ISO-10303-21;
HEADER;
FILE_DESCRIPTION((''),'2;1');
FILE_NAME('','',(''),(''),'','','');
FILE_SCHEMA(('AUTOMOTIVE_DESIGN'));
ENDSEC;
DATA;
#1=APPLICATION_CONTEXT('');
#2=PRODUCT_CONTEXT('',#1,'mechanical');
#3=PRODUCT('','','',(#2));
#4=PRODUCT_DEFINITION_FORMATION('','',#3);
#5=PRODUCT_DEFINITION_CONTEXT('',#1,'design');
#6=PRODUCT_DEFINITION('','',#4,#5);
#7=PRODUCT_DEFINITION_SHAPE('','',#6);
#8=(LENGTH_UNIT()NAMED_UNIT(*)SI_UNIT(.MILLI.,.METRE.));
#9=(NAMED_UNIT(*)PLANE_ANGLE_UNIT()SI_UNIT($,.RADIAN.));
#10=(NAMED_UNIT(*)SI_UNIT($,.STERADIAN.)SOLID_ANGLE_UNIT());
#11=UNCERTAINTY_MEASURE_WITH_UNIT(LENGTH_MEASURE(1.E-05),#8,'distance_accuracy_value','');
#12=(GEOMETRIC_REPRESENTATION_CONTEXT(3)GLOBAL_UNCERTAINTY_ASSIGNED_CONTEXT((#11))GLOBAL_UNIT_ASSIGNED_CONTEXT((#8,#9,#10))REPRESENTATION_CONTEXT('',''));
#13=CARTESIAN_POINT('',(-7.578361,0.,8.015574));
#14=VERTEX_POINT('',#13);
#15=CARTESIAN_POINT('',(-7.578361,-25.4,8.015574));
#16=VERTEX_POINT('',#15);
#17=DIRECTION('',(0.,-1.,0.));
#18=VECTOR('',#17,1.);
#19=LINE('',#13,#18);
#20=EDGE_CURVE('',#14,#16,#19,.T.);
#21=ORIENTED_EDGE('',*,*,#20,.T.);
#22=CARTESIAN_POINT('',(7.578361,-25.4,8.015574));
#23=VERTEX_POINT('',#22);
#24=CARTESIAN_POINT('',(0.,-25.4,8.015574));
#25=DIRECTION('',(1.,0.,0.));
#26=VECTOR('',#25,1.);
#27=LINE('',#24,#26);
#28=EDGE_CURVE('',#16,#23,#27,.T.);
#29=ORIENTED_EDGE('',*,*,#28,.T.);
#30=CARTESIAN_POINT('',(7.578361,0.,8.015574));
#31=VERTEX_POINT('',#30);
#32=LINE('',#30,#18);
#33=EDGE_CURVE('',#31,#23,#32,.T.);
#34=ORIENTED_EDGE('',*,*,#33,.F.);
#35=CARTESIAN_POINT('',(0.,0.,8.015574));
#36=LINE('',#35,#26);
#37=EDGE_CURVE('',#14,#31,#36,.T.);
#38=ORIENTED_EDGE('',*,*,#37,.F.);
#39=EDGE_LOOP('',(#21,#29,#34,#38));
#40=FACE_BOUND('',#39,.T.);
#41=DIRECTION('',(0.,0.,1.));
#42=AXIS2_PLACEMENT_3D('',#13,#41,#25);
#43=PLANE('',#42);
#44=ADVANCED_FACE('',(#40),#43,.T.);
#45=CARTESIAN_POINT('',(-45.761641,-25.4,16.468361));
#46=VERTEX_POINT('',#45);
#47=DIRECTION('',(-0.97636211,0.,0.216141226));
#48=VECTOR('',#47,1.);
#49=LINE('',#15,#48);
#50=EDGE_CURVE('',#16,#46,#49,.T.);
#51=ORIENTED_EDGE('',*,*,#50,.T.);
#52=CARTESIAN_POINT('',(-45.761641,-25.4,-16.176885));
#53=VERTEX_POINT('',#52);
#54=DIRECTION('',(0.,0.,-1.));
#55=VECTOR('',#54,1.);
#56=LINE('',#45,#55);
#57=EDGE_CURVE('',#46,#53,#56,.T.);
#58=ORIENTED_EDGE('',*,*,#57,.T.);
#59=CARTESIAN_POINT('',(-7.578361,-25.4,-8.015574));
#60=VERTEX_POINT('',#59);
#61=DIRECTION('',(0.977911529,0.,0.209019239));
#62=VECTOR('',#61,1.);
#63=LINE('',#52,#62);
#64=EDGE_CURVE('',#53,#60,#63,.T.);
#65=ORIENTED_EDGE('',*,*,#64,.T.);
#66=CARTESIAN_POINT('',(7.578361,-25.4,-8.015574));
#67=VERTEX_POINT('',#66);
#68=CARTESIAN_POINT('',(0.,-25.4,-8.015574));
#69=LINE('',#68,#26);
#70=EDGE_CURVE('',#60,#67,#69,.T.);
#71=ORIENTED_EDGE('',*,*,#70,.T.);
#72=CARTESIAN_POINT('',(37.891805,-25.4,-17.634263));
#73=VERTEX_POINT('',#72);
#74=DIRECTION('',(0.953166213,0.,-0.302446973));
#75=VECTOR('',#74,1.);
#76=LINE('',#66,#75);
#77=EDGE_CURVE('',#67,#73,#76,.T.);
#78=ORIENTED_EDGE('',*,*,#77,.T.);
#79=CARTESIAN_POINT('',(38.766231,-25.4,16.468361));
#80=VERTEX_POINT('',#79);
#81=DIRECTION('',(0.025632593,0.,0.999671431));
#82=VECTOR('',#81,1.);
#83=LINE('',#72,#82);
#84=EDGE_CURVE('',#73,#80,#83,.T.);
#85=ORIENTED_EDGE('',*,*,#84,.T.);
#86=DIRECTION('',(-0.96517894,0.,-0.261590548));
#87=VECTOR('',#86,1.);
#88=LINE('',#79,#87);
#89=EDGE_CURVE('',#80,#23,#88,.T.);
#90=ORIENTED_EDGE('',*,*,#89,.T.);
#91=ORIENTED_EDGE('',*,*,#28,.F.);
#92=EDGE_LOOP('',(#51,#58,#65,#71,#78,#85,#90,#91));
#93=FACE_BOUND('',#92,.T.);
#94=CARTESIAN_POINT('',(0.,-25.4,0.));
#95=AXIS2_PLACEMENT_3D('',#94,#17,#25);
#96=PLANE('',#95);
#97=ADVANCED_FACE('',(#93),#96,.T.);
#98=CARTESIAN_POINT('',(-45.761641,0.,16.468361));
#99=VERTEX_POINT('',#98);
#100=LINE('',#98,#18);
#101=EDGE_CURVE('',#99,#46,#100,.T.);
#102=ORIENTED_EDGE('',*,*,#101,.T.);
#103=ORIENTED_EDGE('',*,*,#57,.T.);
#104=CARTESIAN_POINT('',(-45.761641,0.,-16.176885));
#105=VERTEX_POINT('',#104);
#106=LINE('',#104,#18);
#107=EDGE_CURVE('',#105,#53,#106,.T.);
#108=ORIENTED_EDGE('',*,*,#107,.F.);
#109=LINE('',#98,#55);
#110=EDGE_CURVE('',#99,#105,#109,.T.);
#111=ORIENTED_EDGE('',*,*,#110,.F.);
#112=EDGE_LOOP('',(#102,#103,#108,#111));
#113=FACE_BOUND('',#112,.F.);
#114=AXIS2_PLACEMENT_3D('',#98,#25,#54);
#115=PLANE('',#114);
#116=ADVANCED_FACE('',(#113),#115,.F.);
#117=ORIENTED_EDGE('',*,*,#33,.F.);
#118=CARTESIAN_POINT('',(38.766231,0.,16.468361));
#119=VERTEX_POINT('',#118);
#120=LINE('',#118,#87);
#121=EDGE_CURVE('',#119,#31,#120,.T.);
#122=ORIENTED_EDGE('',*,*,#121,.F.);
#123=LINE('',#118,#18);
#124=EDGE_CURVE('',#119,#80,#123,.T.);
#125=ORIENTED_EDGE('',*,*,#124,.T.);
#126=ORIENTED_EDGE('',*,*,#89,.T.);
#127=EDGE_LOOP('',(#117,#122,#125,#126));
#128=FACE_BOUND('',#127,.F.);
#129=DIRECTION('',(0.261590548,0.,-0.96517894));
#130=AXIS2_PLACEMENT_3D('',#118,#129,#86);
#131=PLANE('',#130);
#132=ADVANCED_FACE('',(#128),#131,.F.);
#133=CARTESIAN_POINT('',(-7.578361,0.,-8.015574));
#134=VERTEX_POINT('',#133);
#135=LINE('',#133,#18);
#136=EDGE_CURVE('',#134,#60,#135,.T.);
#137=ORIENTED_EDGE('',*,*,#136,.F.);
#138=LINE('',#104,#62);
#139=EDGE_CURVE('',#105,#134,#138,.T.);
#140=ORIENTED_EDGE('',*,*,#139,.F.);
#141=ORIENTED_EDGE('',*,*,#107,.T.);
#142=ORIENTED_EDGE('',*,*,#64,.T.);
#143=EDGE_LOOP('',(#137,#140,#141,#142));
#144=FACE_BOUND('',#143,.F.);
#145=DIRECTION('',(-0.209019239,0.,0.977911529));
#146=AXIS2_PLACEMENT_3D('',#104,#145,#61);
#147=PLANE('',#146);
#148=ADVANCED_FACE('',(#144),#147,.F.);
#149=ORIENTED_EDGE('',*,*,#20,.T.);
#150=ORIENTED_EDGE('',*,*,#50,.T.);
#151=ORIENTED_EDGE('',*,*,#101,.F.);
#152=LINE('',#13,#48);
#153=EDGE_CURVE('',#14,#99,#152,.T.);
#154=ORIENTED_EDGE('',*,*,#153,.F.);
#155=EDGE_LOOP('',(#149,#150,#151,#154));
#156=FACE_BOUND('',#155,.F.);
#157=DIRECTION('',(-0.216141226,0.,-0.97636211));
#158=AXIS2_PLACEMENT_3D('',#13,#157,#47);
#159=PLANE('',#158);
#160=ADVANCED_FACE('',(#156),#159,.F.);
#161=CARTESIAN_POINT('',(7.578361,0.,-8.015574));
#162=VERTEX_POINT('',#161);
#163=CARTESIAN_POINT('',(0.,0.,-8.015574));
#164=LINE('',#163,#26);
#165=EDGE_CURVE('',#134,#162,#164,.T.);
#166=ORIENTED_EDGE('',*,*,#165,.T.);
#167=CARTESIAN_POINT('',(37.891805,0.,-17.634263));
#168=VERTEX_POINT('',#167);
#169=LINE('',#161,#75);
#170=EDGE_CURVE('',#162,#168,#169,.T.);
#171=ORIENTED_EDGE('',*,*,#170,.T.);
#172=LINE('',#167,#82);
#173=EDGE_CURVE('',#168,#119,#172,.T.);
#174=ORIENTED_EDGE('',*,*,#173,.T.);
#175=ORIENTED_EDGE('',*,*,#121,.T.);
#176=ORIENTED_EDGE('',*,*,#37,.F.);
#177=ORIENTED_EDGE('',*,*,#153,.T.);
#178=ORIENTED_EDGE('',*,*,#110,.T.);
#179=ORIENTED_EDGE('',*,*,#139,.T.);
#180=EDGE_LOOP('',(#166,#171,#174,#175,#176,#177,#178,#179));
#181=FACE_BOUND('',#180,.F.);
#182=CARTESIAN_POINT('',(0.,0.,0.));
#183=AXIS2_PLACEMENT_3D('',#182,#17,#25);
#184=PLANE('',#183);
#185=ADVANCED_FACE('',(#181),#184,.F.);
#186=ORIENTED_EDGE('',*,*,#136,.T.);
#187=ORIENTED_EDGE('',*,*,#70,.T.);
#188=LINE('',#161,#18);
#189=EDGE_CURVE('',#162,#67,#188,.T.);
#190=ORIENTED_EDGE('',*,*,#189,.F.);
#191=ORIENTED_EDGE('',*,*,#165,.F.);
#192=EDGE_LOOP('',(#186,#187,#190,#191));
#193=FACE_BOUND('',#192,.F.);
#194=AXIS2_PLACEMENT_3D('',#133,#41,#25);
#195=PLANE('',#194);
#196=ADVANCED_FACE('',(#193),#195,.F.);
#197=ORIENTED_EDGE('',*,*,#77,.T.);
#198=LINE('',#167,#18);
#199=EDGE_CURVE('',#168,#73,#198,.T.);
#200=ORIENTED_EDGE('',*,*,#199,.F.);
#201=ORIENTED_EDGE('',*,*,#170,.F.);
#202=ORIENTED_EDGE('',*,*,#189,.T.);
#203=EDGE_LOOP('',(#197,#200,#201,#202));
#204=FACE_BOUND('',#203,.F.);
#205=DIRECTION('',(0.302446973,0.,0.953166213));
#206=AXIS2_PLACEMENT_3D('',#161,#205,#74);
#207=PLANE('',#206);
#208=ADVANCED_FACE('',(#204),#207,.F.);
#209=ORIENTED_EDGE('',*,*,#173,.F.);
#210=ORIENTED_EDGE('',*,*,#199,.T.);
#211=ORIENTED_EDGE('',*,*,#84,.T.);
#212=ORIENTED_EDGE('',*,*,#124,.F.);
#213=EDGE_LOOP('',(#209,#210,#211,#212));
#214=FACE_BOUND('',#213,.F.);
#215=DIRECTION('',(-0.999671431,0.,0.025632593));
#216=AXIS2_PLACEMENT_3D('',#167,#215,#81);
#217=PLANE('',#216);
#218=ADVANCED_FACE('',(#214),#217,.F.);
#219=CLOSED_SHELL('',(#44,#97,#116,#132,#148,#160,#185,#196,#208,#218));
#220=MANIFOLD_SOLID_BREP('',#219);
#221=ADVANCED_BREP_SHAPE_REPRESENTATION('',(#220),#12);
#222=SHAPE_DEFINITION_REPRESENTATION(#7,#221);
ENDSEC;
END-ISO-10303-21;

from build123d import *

# Parameters (mm, degrees)
F0_W     = 15.156722
F0_H     = 16.031148
F1_DEPTH = 25.4
F2_DEPTH = 25.4
F3_DEPTH = 25.4


with BuildPart() as f1:
    # F0 (on Front) → F1 (new body)
    with BuildSketch(Plane.XZ):
        Rectangle(F0_W, F0_H)
        Polygon((7.578361, 8.015574), (7.578361, -8.015574), (37.891805, -17.634263), (38.766231, 16.468361), align=None)
        Polygon((-45.761641, -16.176885), (-7.578361, -8.015574), (-7.578361, 8.015574), (-45.761641, 16.468361), align=None)
    extrude(amount=F1_DEPTH)

    # F0 (on Front) → F2 (join)
    with BuildSketch(Plane.XZ):
        Rectangle(F0_W, F0_H)
        Polygon((7.578361, 8.015574), (7.578361, -8.015574), (37.891805, -17.634263), (38.766231, 16.468361), align=None)
        Polygon((-45.761641, -16.176885), (-7.578361, -8.015574), (-7.578361, 8.015574), (-45.761641, 16.468361), align=None)
    extrude(amount=F2_DEPTH)

    # F0 (on Front) → F3 (join)
    with BuildSketch(Plane.XZ):
        Rectangle(F0_W, F0_H)
        Polygon((7.578361, 8.015574), (7.578361, -8.015574), (37.891805, -17.634263), (38.766231, 16.468361), align=None)
        Polygon((-45.761641, -16.176885), (-7.578361, -8.015574), (-7.578361, 8.015574), (-45.761641, 16.468361), align=None)
    extrude(amount=F3_DEPTH)


solid = f1.part
